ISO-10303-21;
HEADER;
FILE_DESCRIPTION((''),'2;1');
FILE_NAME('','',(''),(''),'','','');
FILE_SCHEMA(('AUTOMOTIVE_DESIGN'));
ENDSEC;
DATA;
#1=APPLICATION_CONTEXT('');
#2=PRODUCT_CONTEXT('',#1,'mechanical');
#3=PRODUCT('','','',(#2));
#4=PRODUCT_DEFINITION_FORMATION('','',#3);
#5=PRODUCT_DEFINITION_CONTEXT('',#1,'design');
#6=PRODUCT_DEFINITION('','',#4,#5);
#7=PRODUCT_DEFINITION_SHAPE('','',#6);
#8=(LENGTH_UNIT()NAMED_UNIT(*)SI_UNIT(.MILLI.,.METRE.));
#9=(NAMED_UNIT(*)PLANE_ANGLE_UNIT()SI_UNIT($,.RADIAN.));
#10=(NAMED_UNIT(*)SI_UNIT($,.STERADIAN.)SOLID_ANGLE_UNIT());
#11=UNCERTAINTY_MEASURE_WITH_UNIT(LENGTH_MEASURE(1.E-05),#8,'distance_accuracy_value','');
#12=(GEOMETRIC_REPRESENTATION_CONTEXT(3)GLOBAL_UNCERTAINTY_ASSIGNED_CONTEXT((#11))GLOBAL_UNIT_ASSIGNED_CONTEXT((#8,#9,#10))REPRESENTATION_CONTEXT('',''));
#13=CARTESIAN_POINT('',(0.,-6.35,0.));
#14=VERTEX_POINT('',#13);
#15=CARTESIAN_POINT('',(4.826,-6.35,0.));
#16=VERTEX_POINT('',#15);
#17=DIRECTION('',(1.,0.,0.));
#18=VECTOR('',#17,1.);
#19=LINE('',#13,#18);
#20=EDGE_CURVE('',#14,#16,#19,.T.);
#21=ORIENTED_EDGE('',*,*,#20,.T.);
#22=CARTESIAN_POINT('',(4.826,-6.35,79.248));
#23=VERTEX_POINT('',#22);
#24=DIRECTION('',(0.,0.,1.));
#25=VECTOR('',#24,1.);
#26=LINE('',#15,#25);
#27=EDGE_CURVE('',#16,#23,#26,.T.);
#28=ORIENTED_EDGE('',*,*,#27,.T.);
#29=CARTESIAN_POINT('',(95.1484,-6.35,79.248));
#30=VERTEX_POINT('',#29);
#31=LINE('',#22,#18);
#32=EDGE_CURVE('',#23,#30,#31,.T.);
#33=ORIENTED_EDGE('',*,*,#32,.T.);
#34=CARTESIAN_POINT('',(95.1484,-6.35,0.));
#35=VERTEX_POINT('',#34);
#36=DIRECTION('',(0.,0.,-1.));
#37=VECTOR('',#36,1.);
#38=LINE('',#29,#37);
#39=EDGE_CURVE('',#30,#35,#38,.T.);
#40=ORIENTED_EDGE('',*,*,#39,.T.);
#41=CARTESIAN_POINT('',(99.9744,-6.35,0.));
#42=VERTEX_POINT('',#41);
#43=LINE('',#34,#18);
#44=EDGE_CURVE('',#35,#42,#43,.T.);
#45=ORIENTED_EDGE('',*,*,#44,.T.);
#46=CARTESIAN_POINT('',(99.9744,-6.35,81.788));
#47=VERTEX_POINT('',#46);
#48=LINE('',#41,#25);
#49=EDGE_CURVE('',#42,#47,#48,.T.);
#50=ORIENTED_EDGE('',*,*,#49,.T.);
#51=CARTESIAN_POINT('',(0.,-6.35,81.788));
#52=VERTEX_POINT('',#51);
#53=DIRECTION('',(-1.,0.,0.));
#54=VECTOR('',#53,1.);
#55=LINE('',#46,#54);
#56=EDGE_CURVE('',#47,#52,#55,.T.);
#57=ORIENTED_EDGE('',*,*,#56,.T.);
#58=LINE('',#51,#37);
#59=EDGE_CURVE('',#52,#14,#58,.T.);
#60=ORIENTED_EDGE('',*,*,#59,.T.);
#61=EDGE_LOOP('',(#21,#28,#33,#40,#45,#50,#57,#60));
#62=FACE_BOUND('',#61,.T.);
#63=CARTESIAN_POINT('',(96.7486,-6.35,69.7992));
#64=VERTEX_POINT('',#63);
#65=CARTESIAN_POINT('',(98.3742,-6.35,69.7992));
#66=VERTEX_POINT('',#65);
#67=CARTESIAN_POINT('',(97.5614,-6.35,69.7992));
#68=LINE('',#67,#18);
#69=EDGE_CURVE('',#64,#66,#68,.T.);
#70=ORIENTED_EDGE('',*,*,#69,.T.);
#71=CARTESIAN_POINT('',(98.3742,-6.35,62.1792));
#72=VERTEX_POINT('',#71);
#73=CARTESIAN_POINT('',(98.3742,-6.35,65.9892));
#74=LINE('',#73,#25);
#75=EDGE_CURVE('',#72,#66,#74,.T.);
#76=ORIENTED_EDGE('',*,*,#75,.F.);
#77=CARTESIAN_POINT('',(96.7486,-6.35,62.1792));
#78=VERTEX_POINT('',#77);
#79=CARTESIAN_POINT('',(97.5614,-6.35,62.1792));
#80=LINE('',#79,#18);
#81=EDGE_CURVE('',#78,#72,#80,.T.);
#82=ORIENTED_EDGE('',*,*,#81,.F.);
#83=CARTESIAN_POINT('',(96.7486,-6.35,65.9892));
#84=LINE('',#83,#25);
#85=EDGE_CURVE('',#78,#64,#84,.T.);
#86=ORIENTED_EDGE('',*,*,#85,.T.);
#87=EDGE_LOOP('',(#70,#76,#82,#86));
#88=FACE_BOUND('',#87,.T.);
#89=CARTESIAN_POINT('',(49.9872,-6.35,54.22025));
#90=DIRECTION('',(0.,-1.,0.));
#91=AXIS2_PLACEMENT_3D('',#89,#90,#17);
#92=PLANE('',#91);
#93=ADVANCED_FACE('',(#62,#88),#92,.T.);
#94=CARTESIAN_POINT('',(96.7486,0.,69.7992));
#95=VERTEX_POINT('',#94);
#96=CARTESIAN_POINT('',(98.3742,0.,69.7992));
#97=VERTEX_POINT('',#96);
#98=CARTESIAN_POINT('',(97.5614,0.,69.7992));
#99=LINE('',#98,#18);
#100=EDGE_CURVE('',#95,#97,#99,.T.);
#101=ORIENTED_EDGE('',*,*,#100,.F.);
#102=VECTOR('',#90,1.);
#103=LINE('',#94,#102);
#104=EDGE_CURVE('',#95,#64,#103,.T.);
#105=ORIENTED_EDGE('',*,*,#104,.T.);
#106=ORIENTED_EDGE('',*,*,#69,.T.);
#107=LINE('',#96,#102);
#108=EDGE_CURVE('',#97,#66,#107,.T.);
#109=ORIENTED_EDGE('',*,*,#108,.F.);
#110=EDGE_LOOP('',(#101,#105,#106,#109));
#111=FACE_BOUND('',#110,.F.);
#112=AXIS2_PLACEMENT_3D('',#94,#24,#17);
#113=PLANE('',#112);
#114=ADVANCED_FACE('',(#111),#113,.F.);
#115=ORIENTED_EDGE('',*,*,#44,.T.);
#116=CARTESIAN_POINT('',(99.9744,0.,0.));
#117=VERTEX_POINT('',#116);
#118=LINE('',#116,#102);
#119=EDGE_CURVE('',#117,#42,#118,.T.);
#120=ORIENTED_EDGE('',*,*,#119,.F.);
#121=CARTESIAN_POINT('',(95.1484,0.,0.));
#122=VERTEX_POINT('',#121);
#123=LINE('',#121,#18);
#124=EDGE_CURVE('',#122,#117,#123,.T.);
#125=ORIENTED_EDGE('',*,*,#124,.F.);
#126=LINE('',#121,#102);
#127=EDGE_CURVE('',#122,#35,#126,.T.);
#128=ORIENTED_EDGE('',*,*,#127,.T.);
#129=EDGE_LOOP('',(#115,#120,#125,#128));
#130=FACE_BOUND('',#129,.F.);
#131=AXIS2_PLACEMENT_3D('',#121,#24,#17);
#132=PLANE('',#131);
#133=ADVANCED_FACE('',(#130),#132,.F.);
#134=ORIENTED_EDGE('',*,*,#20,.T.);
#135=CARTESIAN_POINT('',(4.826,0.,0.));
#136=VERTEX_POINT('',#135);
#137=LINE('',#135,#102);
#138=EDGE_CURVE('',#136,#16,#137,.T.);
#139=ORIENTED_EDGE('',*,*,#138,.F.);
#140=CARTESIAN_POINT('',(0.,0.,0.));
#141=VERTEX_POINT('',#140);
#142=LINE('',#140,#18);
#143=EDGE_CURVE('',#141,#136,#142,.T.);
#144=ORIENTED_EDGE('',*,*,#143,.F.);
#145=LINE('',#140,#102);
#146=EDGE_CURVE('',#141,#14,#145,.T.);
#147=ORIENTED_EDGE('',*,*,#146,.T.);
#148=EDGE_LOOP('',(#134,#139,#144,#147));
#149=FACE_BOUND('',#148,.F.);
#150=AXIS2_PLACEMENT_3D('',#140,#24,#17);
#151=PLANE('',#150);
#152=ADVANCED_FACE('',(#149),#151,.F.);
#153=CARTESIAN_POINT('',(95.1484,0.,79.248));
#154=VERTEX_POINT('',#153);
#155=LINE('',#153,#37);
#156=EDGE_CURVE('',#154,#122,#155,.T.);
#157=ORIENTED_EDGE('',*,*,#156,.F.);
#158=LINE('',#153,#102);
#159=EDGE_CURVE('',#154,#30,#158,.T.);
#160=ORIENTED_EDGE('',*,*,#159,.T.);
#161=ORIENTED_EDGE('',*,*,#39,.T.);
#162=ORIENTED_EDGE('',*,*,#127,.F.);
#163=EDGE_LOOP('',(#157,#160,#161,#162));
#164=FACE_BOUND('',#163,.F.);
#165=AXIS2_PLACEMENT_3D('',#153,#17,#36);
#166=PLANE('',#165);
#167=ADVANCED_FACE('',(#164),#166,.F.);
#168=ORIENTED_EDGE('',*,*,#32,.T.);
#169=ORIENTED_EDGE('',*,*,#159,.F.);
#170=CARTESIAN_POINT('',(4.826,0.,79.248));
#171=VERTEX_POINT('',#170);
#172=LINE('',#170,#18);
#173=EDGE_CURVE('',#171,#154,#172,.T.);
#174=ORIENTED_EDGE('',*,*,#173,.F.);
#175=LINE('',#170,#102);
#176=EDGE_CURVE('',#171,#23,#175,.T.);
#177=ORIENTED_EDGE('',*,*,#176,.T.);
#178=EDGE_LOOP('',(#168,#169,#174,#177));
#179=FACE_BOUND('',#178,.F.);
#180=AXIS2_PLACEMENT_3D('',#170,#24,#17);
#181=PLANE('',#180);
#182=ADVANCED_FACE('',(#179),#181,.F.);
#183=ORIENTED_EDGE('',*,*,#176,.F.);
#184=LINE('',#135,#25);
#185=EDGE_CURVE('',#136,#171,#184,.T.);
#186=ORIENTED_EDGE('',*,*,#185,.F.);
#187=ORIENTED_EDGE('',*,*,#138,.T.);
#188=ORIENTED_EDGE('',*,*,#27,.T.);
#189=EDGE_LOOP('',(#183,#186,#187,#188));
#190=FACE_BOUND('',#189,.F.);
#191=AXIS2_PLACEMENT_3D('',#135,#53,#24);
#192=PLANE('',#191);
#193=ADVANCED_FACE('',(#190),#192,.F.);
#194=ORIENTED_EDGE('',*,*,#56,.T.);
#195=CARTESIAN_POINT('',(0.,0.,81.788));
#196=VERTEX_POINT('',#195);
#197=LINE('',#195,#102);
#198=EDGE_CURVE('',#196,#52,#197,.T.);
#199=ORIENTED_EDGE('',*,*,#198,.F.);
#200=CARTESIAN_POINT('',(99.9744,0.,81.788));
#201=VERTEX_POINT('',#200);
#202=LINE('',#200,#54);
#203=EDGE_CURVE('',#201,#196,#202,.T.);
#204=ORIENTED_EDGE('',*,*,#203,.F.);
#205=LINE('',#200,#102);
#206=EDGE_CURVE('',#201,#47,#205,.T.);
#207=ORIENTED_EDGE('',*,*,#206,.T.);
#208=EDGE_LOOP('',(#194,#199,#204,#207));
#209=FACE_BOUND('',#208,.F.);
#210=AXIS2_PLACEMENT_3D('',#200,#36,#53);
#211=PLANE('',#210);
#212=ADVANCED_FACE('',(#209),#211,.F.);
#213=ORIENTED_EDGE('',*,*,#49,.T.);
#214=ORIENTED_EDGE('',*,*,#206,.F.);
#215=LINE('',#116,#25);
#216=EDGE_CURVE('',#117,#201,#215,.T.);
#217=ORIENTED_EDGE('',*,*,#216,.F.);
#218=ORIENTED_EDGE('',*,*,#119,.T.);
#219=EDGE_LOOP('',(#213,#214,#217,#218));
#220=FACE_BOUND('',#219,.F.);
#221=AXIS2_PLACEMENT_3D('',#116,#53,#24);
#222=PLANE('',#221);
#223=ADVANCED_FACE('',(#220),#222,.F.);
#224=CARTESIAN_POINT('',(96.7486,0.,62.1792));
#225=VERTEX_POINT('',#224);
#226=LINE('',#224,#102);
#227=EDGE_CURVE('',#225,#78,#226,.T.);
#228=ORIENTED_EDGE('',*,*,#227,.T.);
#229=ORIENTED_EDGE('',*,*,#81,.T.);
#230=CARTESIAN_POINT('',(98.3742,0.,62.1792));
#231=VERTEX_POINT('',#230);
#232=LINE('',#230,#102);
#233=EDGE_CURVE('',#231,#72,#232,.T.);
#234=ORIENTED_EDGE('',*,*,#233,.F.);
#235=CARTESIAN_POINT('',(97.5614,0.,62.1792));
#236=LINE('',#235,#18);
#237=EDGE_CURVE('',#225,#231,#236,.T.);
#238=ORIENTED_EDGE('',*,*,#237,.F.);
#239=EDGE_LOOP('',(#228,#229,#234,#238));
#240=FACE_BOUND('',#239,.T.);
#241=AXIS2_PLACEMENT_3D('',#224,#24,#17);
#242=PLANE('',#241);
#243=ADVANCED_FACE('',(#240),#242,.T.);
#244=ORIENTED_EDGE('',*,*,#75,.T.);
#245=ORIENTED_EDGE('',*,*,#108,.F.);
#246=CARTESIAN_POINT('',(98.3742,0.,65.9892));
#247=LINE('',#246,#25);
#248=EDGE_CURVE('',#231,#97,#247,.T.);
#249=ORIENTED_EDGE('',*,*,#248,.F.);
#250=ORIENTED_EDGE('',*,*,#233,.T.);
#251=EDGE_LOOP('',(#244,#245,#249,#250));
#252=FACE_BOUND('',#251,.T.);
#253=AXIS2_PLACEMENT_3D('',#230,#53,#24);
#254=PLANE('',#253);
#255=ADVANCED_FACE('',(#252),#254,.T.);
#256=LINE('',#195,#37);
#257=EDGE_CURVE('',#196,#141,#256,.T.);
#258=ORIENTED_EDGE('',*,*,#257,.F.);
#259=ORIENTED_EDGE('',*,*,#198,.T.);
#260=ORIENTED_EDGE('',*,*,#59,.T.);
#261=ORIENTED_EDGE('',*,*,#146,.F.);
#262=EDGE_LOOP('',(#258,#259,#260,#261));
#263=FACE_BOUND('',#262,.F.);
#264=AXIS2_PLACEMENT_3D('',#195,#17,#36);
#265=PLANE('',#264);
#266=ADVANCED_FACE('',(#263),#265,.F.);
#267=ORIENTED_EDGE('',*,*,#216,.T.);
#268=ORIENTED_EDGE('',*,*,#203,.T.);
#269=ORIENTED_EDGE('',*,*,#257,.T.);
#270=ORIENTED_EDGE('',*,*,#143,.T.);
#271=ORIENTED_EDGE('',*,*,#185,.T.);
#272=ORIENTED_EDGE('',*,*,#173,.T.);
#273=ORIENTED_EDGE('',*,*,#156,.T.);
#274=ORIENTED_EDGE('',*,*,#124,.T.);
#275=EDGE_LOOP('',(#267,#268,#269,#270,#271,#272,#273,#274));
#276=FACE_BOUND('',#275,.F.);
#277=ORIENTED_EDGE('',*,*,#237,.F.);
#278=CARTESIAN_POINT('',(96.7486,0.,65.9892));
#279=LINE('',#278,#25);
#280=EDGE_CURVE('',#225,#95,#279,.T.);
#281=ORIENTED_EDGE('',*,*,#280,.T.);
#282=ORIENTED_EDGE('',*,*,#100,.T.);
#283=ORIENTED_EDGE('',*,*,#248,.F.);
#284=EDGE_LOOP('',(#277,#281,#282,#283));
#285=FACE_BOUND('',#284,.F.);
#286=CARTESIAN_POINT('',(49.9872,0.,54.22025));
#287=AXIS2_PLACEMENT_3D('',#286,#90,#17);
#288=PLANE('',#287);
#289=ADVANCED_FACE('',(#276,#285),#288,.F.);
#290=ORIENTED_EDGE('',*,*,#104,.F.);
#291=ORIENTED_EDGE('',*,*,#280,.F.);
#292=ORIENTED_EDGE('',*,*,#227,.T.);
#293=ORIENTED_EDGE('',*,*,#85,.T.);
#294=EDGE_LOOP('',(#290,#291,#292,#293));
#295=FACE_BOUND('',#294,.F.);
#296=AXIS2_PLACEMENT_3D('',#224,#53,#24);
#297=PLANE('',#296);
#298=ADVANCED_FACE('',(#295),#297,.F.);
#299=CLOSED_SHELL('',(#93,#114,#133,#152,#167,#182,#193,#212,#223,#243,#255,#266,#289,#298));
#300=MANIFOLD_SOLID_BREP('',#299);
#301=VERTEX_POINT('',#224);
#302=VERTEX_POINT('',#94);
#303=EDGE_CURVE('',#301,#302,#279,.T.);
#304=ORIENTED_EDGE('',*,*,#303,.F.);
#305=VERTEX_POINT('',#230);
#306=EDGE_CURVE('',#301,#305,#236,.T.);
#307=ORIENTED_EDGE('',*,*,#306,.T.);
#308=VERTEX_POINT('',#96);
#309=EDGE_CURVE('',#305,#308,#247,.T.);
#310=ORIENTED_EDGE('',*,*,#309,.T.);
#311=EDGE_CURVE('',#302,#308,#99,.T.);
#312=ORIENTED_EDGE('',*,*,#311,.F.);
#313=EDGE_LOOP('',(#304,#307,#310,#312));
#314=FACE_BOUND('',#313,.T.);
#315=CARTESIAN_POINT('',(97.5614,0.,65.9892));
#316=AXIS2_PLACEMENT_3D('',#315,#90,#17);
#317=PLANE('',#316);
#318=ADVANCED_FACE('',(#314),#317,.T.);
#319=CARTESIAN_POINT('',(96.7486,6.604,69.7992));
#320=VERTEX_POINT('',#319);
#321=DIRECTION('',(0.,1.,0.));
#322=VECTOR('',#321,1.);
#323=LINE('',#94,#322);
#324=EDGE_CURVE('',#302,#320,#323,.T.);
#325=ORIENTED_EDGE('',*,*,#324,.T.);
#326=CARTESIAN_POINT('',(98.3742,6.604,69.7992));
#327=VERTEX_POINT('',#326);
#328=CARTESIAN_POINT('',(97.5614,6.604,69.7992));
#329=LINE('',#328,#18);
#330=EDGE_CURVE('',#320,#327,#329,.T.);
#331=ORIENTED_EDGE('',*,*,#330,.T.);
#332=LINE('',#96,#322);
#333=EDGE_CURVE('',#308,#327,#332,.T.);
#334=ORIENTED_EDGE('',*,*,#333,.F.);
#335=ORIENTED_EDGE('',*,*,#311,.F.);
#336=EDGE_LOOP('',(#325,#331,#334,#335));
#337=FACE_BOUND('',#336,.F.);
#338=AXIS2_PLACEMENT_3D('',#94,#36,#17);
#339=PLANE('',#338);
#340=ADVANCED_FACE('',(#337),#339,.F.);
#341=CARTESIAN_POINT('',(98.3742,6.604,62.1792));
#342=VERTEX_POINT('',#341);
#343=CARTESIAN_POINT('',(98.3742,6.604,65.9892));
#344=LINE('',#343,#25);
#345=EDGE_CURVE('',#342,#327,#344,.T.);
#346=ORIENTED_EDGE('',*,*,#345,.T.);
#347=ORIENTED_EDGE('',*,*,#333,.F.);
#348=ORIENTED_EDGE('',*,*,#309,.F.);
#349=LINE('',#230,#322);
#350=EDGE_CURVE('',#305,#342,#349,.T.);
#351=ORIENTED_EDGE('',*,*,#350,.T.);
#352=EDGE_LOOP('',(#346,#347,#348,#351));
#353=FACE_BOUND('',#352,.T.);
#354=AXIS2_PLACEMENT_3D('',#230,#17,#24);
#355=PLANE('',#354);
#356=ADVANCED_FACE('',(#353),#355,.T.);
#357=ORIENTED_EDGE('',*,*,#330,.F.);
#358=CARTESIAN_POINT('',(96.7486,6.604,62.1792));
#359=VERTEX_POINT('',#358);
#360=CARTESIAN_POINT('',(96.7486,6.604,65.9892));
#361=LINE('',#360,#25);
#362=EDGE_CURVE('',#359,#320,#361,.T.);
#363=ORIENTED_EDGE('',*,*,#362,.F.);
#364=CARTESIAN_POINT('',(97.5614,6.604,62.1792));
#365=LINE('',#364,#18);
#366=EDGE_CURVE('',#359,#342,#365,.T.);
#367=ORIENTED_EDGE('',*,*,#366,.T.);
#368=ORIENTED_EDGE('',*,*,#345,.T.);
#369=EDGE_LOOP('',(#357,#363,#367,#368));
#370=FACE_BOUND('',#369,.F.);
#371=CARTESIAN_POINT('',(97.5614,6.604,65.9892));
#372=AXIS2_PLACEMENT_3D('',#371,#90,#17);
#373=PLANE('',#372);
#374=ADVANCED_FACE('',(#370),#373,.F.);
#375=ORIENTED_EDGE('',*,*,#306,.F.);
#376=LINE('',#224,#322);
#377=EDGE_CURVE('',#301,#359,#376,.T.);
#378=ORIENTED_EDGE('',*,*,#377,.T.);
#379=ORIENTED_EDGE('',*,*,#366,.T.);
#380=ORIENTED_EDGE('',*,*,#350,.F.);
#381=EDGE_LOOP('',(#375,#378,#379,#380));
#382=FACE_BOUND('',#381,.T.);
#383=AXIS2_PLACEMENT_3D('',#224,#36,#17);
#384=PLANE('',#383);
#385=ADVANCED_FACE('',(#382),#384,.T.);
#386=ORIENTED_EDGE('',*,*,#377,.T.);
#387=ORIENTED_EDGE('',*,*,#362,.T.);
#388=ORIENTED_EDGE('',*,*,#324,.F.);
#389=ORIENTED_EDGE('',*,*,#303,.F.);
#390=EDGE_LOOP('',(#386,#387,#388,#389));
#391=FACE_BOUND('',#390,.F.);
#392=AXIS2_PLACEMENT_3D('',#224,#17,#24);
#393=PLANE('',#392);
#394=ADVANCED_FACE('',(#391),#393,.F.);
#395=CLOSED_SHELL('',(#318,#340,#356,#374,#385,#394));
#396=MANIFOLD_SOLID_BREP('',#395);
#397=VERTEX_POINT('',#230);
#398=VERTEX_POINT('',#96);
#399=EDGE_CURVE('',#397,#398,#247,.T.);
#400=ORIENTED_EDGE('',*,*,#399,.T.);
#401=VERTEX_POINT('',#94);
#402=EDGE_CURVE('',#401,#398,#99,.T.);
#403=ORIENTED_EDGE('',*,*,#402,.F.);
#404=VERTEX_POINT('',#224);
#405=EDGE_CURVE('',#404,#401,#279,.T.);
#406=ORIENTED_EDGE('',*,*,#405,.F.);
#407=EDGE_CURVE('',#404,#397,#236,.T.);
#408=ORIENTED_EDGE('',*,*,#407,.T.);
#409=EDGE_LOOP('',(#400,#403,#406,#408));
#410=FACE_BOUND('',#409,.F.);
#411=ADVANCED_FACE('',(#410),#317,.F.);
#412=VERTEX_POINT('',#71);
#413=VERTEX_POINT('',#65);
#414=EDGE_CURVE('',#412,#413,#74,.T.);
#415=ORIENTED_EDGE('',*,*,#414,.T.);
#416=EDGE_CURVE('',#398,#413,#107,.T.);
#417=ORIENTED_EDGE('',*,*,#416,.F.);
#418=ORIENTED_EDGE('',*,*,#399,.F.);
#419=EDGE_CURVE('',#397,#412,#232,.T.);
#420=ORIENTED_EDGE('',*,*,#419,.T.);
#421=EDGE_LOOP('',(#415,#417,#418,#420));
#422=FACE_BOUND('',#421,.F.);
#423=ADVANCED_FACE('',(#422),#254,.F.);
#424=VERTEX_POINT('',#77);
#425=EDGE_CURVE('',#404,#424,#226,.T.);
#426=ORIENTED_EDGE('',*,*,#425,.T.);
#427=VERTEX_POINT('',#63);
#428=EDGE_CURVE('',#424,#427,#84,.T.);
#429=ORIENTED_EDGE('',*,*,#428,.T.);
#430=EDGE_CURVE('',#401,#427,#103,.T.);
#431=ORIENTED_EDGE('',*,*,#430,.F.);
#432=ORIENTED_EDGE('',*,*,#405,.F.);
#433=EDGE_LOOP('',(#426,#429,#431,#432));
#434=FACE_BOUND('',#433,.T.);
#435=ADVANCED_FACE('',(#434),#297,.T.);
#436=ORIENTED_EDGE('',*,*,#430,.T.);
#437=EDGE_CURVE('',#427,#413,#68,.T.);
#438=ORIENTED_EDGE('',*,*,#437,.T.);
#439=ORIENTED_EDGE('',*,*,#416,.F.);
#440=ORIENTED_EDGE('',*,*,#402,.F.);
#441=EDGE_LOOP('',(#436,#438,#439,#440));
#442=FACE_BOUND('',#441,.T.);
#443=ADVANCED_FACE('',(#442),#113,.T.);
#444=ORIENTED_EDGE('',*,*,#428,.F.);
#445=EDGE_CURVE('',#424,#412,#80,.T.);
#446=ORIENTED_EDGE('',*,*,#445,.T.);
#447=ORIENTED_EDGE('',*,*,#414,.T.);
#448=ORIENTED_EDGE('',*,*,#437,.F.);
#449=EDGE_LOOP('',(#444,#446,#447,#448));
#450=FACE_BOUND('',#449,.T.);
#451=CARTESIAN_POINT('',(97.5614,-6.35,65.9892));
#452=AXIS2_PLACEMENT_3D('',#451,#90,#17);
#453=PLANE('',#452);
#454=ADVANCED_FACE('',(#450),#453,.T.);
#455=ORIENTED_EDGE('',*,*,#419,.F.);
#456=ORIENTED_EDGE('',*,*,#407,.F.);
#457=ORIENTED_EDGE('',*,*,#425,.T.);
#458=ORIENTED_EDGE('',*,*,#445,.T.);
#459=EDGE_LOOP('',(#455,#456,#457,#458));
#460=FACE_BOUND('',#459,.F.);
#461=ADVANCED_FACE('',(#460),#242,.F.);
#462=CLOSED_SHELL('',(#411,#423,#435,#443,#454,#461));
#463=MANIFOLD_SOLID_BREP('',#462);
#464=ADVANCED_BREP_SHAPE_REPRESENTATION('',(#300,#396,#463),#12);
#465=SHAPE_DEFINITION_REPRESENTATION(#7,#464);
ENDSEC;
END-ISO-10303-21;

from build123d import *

# Parameters (mm, degrees)
F0_W     = 1.6256
F0_H     = 7.62
F1_DEPTH = 6.35
F2_DEPTH = 6.35
F3_DEPTH = 6.604


with BuildPart() as f1:
    # F0 (on Front) → F1 (new body)
    with BuildSketch(Plane.XZ):
        Polygon((99.9744, 81.788), (0, 81.788), (0, 0), (4.826, 0), (4.826, 40.894), (4.826, 79.248), (49.9872, 79.248), (95.1484, 79.248), (95.1484, 40.894), (95.1484, 0), (99.9744, 0), align=None)
        with Locations((97.5614, 65.9892)):
            Rectangle(F0_W, F0_H, mode=Mode.SUBTRACT)
    extrude(amount=F1_DEPTH)


with BuildPart() as f2:
    # F0 (on Front) → F2 (new body)
    with BuildSketch(Plane.XZ):
        with Locations((97.5614, 65.9892)):
            Rectangle(F0_W, F0_H)
    extrude(amount=F2_DEPTH)


with BuildPart() as f3:
    # F0 (on Front) → F3 (new body)
    with BuildSketch(Plane.XZ):
        with Locations((97.5614, 65.9892)):
            Rectangle(F0_W, F0_H)
    extrude(amount=-F3_DEPTH)


solid = Compound([f1.part, f2.part, f3.part])
